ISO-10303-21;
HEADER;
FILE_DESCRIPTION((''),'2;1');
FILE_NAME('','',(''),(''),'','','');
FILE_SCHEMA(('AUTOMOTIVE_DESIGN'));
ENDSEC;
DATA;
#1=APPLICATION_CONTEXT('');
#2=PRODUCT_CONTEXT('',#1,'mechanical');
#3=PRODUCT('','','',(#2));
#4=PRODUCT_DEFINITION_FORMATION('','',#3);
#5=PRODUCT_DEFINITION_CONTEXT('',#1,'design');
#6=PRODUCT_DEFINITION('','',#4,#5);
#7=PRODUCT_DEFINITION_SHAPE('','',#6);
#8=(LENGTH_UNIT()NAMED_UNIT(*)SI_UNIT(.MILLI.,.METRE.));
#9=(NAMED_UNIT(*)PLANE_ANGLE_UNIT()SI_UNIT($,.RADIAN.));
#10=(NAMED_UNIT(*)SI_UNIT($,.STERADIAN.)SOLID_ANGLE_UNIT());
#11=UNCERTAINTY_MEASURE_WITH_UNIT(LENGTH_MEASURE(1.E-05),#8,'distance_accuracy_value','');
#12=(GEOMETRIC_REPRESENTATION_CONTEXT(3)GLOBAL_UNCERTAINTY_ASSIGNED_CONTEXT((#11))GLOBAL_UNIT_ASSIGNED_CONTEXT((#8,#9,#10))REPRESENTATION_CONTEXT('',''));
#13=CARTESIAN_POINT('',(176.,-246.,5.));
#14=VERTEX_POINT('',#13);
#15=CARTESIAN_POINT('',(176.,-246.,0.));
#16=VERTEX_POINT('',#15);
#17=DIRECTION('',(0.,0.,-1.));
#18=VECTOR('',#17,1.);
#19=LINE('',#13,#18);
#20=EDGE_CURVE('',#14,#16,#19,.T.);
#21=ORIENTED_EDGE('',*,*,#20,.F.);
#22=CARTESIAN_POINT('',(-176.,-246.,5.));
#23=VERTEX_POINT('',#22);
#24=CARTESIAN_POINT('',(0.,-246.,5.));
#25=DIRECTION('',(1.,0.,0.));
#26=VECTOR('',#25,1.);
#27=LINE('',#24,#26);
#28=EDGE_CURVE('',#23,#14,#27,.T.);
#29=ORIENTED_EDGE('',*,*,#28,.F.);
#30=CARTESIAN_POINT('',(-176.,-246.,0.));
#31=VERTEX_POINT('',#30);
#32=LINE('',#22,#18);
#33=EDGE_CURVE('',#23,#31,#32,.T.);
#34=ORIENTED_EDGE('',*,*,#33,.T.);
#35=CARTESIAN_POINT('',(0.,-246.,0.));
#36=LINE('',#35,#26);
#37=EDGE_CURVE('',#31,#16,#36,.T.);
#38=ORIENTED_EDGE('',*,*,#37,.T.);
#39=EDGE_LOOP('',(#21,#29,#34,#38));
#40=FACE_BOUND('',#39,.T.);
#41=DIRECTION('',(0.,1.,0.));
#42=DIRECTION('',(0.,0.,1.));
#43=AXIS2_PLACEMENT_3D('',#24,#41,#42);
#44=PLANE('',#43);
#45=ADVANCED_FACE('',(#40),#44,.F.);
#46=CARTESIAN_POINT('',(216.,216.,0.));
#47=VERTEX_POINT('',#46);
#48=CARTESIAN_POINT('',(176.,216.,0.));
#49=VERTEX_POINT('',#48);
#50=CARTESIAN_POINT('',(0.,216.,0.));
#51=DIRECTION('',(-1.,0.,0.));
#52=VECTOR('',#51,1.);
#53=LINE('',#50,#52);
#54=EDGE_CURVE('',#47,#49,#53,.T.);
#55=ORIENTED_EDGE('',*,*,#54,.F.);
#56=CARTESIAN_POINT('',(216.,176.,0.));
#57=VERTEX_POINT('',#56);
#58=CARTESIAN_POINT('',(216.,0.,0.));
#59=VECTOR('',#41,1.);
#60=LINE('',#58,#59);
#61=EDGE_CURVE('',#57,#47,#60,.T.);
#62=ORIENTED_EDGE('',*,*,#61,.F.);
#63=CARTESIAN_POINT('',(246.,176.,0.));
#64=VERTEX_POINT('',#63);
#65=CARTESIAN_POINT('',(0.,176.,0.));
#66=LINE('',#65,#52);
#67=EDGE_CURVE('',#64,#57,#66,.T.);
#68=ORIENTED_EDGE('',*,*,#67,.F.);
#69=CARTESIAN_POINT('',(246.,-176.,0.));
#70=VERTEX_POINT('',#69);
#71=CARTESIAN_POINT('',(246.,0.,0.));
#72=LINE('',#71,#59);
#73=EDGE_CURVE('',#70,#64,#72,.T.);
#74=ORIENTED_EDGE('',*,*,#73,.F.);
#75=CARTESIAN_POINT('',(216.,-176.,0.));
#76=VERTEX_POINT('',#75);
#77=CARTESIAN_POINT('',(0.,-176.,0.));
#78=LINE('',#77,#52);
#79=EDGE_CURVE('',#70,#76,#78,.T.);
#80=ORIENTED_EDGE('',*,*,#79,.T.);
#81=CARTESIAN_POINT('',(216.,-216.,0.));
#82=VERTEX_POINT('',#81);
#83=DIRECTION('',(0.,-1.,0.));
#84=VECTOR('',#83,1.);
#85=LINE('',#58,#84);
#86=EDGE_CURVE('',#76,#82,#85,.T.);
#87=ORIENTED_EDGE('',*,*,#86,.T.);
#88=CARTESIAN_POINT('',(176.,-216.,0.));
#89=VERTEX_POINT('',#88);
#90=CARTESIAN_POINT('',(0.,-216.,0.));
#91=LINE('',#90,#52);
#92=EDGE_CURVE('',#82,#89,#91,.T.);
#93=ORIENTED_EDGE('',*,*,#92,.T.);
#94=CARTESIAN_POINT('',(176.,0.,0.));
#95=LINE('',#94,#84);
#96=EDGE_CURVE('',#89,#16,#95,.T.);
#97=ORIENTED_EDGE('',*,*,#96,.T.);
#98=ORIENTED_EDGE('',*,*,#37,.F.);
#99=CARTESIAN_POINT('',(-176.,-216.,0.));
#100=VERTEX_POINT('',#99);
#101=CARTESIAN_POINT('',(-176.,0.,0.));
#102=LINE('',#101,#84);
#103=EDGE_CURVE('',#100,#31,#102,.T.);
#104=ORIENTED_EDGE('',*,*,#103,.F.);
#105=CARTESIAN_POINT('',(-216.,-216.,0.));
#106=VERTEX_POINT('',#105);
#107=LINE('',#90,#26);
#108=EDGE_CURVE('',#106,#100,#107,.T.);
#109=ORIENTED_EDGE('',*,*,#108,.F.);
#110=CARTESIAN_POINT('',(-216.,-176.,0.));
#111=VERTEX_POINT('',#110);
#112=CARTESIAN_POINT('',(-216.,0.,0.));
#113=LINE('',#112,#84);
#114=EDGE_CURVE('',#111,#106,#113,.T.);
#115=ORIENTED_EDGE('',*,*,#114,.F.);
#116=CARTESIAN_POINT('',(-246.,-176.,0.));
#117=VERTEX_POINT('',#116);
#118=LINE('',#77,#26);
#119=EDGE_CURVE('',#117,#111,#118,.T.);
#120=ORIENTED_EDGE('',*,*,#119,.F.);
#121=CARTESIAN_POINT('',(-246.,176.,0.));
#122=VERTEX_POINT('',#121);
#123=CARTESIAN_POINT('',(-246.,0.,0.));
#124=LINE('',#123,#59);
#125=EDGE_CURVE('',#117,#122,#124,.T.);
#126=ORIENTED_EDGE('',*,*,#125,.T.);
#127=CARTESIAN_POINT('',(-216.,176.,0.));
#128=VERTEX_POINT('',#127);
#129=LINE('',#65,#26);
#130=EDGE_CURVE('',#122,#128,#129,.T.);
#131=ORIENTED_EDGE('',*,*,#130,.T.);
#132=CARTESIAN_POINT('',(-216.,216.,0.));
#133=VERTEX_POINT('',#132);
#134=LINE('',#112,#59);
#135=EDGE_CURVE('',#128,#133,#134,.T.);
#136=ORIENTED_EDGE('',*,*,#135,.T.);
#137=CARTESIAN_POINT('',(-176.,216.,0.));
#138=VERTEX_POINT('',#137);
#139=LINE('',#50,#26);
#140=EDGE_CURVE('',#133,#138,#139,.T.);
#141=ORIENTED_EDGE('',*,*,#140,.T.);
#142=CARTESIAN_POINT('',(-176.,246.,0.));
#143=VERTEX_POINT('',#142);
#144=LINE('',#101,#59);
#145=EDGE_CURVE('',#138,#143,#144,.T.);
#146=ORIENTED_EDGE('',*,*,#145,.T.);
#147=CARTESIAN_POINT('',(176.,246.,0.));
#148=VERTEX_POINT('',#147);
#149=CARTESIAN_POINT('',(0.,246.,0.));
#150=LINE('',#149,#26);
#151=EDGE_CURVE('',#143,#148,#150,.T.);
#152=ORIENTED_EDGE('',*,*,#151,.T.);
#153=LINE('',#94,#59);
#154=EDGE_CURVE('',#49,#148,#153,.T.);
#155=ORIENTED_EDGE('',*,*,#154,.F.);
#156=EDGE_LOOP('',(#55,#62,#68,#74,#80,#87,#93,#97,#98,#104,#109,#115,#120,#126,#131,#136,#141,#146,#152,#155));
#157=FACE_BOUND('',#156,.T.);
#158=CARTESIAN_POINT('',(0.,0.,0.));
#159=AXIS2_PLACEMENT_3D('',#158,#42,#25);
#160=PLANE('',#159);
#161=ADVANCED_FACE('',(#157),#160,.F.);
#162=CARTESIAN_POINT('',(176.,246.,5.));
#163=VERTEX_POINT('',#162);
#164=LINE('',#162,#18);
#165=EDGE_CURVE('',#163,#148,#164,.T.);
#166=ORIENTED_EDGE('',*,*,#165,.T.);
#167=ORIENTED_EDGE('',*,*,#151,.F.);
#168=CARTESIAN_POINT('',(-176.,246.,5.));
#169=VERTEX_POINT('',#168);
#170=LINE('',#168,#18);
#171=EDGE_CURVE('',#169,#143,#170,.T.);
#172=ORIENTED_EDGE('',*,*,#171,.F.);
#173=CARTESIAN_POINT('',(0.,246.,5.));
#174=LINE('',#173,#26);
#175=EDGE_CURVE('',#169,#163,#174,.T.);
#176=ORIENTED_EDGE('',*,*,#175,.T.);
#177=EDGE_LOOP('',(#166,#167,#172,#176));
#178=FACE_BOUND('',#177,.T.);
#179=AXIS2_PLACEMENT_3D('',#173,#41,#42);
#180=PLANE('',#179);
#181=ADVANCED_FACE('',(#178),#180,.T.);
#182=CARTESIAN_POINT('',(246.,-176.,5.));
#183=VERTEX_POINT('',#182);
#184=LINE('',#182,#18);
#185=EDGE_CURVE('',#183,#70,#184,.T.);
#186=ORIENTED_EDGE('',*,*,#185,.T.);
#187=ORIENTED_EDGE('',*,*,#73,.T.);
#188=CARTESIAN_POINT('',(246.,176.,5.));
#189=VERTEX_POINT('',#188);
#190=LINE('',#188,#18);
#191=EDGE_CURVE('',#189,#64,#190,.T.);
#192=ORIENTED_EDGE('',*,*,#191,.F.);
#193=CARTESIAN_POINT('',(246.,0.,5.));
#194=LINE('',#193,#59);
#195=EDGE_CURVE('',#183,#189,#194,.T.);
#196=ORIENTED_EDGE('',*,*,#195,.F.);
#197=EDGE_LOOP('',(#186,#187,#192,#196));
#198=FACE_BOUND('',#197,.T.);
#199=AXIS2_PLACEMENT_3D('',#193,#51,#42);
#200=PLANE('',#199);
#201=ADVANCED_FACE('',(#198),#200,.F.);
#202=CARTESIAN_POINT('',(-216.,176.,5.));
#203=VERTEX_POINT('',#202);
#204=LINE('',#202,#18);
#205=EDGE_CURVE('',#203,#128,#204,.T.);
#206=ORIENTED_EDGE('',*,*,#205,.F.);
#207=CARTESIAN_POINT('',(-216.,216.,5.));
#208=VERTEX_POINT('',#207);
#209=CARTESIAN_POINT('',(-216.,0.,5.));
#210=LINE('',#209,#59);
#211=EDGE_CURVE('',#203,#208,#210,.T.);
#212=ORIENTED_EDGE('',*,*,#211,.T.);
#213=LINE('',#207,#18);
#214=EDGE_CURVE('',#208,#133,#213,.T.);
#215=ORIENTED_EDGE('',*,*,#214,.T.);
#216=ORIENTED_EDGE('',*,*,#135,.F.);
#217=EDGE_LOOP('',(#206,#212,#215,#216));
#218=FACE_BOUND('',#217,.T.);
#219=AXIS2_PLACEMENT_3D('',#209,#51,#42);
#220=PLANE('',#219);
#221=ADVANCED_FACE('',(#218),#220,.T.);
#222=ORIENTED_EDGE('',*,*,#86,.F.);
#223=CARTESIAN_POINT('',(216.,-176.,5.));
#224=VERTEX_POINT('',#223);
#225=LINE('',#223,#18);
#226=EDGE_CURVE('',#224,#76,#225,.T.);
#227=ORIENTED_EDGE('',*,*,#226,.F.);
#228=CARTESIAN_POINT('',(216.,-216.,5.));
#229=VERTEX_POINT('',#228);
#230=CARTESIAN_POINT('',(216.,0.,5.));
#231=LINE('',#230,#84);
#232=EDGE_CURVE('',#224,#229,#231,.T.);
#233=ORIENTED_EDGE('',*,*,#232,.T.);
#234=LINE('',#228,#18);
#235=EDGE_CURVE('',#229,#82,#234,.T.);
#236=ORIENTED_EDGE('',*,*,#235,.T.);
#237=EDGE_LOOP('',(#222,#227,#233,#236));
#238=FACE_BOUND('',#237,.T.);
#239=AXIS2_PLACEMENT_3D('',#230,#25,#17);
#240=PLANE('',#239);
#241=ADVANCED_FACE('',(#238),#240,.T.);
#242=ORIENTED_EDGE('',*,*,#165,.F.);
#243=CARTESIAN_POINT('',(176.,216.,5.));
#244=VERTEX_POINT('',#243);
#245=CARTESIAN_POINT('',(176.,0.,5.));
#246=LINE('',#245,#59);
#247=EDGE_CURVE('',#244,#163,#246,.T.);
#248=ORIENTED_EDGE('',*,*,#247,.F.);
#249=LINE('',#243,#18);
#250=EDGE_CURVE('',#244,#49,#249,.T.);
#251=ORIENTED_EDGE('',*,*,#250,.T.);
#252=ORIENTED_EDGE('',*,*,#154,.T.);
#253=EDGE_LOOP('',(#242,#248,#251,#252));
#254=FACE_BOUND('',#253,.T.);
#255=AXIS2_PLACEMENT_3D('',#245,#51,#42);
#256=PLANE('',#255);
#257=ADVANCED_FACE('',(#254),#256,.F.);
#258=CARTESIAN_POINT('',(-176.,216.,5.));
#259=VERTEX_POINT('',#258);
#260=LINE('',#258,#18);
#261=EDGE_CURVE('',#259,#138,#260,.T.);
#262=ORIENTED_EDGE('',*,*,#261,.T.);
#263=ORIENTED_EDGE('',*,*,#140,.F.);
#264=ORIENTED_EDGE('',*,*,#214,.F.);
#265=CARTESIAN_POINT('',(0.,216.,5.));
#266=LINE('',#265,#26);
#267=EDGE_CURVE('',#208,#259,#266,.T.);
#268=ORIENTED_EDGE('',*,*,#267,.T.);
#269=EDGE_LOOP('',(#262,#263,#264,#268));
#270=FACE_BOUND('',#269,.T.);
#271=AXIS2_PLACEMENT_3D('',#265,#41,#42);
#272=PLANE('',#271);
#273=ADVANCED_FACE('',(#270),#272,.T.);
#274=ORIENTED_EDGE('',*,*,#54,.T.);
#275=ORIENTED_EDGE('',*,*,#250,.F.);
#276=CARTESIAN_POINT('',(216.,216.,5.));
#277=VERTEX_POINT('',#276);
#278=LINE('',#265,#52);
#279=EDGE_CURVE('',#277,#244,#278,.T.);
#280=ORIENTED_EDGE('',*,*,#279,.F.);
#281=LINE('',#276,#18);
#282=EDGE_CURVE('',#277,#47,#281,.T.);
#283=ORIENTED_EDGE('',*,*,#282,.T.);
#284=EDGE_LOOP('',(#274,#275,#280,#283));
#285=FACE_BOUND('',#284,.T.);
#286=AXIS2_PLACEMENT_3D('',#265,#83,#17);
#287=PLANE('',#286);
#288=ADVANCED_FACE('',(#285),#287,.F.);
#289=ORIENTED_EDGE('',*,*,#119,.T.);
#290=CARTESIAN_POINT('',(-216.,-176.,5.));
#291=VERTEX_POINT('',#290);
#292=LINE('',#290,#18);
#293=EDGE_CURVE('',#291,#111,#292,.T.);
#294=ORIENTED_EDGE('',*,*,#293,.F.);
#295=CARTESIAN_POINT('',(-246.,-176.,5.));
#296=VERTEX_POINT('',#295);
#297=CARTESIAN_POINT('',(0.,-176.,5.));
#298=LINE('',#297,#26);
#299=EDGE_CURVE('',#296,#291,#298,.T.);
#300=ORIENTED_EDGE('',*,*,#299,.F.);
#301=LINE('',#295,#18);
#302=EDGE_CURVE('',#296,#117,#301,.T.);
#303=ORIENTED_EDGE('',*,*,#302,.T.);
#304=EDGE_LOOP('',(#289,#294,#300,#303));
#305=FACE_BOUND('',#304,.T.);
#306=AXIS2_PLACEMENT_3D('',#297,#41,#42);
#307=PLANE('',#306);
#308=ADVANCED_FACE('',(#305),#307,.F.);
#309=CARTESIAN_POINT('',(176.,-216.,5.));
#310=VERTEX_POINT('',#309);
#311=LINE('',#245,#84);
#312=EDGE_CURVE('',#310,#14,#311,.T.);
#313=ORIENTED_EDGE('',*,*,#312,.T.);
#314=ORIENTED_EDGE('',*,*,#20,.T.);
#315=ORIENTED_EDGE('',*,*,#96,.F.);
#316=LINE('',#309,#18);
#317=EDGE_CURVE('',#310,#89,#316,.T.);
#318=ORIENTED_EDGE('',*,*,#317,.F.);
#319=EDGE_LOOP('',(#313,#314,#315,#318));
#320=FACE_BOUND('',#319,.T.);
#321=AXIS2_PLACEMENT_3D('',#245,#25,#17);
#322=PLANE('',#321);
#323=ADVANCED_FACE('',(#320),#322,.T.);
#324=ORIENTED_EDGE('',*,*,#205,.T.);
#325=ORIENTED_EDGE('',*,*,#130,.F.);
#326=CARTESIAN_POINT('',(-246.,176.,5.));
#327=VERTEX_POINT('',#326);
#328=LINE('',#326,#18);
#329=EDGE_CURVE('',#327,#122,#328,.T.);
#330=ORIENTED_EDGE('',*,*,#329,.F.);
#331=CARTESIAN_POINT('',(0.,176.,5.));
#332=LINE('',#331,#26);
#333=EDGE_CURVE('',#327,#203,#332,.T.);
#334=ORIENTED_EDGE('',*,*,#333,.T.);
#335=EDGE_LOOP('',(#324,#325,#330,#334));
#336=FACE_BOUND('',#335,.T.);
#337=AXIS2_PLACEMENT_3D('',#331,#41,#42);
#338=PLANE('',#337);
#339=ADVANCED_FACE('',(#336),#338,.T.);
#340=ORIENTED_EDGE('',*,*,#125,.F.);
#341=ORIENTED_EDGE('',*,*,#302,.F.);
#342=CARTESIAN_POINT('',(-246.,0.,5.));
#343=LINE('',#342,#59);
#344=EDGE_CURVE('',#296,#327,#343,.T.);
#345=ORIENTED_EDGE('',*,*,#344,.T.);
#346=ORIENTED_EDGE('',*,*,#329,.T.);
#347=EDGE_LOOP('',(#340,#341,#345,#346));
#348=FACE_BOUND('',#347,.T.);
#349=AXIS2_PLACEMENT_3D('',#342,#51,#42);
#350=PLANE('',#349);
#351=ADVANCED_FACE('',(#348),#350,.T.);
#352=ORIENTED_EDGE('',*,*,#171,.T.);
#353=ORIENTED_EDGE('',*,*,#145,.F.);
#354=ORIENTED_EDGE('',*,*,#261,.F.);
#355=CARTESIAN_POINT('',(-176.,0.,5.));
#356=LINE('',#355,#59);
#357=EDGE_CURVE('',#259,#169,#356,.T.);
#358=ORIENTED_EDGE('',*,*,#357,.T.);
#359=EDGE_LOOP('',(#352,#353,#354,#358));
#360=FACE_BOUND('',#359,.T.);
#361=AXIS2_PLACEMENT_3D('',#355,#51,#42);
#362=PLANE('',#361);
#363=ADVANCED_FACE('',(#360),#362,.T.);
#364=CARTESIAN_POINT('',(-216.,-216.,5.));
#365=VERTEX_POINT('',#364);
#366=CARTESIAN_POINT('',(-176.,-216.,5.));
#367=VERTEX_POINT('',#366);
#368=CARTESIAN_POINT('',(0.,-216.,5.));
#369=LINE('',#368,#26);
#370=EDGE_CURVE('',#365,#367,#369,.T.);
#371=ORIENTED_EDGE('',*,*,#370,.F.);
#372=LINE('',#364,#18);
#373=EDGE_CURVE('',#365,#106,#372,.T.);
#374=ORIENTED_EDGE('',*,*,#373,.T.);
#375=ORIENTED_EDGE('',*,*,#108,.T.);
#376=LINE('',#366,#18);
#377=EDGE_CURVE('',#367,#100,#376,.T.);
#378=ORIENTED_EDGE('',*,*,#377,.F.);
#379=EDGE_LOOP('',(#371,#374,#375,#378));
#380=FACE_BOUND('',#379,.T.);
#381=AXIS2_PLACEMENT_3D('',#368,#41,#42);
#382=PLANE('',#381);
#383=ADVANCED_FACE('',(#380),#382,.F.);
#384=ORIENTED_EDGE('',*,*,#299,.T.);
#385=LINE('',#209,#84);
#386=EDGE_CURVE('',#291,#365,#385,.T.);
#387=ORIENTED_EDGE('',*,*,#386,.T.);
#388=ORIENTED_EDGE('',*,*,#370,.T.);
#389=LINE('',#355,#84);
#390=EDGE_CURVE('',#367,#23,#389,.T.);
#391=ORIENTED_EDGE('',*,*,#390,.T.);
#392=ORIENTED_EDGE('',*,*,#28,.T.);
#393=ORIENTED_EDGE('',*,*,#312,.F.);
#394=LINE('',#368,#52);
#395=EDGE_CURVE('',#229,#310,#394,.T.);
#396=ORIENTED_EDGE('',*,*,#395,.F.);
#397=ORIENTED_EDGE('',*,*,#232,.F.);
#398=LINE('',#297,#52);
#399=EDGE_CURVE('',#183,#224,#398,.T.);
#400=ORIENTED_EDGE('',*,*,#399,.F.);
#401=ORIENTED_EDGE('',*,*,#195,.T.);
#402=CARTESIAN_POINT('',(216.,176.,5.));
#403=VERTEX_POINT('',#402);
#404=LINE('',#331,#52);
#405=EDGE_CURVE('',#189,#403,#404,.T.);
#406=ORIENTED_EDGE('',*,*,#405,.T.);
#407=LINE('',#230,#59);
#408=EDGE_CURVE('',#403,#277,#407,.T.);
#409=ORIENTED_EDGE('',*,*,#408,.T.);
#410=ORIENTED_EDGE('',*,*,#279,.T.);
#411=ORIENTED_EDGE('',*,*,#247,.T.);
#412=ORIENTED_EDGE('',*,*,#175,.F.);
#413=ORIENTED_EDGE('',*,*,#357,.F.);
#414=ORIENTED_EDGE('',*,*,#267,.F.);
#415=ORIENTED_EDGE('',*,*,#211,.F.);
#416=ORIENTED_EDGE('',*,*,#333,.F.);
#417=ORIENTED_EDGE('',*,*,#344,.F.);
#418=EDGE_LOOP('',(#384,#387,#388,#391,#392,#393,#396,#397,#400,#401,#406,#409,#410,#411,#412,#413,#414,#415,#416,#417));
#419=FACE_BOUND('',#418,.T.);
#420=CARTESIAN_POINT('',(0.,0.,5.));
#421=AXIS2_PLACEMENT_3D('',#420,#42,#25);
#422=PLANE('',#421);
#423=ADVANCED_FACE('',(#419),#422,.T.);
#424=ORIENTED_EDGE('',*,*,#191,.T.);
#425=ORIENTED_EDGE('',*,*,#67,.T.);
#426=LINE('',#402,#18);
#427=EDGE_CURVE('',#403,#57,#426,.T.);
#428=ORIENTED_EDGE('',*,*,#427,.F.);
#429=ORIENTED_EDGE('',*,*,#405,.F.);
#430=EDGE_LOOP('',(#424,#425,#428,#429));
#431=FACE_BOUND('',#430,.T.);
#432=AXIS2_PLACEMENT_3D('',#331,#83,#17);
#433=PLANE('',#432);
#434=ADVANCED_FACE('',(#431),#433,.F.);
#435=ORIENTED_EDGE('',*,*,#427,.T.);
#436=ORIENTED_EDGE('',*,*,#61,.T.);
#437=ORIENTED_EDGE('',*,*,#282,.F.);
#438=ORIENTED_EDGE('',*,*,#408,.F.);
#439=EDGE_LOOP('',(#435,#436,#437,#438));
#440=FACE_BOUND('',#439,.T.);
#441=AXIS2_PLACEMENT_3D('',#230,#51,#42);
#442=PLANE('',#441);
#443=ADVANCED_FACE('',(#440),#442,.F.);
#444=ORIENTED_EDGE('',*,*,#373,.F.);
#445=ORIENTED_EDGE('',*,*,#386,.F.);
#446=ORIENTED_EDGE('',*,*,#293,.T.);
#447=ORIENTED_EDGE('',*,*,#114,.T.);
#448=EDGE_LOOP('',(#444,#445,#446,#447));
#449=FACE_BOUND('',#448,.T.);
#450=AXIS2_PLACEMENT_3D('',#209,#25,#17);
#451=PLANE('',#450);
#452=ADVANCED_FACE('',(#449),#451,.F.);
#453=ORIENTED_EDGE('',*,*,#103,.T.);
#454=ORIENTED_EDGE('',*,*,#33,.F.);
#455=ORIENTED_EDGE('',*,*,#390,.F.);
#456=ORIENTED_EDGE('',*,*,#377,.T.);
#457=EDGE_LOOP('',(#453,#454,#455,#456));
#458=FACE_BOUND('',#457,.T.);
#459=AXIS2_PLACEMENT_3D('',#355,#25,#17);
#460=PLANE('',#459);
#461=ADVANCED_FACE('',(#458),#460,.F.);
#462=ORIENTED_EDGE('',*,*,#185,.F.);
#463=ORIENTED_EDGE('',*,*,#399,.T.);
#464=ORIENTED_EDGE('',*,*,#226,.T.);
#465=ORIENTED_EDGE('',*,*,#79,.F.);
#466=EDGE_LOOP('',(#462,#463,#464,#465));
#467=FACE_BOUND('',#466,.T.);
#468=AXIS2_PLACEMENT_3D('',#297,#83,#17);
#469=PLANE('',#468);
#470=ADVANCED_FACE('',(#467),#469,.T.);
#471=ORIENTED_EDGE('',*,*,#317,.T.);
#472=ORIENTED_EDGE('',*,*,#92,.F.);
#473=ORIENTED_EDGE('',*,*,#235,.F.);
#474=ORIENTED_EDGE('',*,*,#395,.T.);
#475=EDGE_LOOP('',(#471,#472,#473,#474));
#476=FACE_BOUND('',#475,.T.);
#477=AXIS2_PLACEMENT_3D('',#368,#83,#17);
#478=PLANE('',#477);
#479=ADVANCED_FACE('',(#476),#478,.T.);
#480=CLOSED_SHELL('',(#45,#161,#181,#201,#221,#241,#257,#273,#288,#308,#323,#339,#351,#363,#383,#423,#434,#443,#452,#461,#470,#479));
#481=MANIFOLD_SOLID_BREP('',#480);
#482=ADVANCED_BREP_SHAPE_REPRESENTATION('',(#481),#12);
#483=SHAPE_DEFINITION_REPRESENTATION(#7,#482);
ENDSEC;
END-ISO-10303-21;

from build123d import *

# Parameters (mm, degrees)
SALIENTE_EXTRUIR1_DEPTH = 5


with BuildPart() as part:
    # Croquis1 → Saliente-Extruir1 (new body)
    with BuildSketch(Plane.XY):
        Polygon((0, 246), (0, 0), (246, 0), (246, 176), (216, 176), (216, 216), (176, 216), (176, 246), align=None)
        Polygon((-246, 176), (-246, 0), (0, 0), (0, 246), (-176, 246), (-176, 216), (-216, 216), (-216, 176), align=None)
        Polygon((0, 0), (-246, 0), (-246, -176), (-216, -176), (-216, -216), (-176, -216), (-176, -246), (176, -246), (176, -216), (216, -216), (216, -176), (246, -176), (246, 0), align=None)
    extrude(amount=SALIENTE_EXTRUIR1_DEPTH)


solid = part.part
